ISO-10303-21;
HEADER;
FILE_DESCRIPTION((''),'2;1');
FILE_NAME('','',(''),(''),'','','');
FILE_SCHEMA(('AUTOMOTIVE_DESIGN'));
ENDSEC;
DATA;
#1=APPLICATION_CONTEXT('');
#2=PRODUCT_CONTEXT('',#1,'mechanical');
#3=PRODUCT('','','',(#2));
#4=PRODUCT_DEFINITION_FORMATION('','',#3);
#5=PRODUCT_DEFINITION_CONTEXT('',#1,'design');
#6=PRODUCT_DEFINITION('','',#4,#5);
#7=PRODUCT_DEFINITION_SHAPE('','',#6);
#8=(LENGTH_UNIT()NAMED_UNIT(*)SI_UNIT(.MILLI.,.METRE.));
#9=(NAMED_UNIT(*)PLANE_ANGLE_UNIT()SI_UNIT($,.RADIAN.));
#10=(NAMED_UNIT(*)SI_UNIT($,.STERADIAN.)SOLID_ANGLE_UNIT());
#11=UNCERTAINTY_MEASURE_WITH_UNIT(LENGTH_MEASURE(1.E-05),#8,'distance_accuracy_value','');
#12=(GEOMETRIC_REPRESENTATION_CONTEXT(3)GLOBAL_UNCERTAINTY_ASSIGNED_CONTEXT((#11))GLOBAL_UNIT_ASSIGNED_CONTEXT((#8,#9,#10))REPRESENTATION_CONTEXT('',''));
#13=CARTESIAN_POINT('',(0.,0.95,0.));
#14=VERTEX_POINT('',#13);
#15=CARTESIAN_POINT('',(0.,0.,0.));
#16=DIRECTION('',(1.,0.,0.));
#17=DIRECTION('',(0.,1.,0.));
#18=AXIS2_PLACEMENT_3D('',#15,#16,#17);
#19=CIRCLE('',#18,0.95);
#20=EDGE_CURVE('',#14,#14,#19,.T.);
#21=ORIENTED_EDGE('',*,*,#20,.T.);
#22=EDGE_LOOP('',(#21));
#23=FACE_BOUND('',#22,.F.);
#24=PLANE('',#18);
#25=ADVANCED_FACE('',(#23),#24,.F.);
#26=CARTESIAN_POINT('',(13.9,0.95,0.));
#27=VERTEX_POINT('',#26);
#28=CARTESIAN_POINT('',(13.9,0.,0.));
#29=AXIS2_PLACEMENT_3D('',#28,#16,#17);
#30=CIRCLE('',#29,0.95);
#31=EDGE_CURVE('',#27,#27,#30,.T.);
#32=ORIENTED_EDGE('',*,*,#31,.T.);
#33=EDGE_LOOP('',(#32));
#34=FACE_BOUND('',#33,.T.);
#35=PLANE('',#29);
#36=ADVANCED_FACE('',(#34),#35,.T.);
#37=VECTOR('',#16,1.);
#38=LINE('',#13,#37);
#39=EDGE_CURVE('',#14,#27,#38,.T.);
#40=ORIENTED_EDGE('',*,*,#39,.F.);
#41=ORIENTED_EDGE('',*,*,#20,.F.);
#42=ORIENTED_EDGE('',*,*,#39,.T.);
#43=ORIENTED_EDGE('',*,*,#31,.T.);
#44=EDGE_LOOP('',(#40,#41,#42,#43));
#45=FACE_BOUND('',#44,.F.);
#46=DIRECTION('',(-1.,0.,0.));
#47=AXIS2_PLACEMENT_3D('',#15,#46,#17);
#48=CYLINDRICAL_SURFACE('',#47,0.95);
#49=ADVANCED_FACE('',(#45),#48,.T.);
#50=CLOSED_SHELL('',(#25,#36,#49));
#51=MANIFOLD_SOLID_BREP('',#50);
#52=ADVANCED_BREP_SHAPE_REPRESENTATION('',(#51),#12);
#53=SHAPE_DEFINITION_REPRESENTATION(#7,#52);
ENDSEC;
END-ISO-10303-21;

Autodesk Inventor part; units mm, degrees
ref_plane "YZ Plane" through (0, 0, 0) normal (1, 0, 0) x (0, 1, 0)
ref_plane "XZ Plane" through (0, 0, 0) normal (0, 1, 0) x (-1, 0, 0)
ref_plane "XY Plane" through (0, 0, 0) normal (0, 0, 1) x (1, 0, 0)
sketch "Sketch1" plane through (0, 0, 0) normal (1, 0, 0) x (0, 1, 0)
  circle A0 centre (0, 0) radius 0.95
  dimension "d0" = 1.9
extrude "Extrusion1" add sketch "Sketch1" along normal blind 13.9
properties part number "Enclosure_Lightsaber"
